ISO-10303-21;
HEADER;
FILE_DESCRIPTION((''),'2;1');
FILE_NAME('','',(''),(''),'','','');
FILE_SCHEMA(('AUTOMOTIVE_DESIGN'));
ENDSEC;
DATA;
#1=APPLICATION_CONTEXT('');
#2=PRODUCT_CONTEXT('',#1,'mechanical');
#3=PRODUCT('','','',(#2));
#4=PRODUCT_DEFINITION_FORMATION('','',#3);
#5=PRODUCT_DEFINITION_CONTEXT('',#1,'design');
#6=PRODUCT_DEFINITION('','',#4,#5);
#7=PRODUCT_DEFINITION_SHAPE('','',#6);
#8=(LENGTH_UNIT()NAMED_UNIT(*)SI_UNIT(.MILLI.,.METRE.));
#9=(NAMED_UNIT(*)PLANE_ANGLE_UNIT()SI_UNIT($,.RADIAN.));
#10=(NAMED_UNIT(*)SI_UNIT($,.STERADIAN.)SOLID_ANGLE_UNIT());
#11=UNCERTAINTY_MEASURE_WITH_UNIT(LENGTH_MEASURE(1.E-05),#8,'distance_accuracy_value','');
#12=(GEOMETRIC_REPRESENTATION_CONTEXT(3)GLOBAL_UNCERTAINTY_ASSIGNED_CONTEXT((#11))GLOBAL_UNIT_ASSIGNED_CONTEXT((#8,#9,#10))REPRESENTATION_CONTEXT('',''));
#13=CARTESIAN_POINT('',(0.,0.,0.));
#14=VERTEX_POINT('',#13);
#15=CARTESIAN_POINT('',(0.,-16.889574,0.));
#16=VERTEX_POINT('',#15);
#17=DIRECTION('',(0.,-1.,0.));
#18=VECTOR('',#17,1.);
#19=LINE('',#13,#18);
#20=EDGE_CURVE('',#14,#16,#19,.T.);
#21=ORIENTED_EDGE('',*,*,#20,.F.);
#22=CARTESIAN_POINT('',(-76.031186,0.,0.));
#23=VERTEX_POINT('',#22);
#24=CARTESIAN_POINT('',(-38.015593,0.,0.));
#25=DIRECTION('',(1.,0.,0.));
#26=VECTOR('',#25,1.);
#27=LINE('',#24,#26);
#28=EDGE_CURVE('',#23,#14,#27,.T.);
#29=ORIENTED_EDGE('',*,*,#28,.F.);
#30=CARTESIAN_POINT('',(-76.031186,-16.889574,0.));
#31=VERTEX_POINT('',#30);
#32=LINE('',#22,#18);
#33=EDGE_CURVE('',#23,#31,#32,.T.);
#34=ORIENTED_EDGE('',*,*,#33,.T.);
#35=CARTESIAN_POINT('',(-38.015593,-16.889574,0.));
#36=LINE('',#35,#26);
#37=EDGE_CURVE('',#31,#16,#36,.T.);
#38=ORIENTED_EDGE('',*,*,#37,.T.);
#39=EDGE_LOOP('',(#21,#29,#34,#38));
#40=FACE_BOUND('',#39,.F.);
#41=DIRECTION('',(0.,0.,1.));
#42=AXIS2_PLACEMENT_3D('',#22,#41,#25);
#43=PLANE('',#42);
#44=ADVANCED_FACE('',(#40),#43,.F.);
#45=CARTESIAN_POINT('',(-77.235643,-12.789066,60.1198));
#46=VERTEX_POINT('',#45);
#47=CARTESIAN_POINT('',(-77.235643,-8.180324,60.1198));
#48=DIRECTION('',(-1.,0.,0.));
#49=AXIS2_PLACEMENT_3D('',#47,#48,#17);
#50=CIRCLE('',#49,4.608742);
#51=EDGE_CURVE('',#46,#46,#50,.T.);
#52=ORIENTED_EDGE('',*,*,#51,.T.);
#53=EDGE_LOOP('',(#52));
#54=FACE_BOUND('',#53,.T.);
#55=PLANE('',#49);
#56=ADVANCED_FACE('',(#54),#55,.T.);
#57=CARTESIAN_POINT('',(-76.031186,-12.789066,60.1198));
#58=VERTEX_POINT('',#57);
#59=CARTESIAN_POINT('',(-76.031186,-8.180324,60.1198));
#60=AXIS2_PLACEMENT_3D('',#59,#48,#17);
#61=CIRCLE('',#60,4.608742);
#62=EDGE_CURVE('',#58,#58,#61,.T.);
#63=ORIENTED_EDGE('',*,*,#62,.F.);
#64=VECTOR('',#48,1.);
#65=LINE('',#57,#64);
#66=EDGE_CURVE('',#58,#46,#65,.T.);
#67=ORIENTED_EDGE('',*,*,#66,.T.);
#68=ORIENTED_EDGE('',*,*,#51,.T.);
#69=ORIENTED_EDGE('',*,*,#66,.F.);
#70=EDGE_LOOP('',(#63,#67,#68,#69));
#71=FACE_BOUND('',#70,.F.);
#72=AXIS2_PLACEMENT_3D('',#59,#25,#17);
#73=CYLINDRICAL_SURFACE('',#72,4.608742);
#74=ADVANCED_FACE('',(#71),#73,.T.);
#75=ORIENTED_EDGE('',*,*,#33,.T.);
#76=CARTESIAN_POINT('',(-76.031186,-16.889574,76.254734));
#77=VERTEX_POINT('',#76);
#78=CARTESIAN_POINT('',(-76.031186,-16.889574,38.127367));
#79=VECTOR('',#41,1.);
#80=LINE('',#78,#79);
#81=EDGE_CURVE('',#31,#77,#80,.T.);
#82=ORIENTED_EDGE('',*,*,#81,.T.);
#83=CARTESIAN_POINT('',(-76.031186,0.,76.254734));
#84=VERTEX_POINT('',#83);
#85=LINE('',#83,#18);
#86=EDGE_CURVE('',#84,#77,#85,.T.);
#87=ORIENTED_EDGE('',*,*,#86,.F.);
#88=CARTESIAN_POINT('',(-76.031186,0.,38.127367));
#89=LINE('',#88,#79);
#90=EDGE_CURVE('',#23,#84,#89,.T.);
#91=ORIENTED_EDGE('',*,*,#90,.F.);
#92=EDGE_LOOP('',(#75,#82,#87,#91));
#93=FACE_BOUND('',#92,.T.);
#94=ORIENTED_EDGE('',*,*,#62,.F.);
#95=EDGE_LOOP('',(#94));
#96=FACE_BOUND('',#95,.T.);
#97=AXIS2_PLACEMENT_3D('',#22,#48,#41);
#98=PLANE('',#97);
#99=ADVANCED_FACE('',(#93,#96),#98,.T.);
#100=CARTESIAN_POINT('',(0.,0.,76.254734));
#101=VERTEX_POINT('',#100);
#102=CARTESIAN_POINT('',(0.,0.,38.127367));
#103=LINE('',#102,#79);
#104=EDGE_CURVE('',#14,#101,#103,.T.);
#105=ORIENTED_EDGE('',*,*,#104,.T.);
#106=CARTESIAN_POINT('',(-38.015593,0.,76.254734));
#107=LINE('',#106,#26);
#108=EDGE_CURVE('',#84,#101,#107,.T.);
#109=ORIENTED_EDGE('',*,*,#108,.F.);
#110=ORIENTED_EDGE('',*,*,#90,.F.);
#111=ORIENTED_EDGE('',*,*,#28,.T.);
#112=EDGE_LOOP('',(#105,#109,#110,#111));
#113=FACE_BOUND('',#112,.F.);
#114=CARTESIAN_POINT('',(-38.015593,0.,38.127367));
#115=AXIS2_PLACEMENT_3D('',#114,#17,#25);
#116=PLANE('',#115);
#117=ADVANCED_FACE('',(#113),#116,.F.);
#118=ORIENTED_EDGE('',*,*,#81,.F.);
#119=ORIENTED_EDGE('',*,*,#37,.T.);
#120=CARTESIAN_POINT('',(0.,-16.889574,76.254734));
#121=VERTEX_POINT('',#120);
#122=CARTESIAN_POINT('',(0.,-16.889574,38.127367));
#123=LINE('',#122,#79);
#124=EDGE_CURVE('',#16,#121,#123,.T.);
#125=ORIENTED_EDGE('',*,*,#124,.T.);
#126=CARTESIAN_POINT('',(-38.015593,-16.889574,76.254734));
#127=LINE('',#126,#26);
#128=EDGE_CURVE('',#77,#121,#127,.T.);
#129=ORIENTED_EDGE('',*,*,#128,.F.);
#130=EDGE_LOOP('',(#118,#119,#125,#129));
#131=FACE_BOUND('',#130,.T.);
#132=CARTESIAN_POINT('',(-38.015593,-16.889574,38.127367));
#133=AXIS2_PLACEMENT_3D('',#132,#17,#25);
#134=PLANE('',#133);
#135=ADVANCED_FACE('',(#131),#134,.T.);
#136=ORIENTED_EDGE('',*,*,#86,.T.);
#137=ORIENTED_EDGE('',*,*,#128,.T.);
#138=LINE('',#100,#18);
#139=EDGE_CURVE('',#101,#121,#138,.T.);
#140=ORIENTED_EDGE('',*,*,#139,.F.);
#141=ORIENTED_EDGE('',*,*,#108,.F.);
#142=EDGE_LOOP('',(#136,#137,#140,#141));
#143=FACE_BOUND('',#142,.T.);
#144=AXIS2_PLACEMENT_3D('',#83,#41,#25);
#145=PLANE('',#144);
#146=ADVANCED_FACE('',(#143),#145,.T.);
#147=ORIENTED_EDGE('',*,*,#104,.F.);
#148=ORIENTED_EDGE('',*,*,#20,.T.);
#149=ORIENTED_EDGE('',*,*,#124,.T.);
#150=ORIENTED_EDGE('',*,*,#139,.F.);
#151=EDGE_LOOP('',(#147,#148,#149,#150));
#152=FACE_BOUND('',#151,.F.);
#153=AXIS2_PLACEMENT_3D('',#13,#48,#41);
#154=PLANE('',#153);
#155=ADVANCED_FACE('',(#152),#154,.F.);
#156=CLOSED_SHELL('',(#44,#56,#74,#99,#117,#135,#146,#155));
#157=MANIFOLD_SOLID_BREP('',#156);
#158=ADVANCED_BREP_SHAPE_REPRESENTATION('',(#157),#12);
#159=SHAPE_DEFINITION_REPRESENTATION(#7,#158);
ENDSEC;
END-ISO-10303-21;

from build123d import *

# Parameters (mm, degrees)
F0_W     = 76.031186
F0_H     = 76.254733
F1_DEPTH = 16.889574
F2_R     = 4.608742
F3_DEPTH = 1.204457


with BuildPart() as f1:
    # F0 (on Front) → F1 (new body)
    with BuildSketch(Plane.XZ):
        with Locations((-38.015593, 38.127367)):
            Rectangle(F0_W, F0_H)
    extrude(amount=F1_DEPTH)

    # F2 (on face) → F3 (join)
    with BuildSketch(Plane(origin=(-76.031186, 0, 0), x_dir=(0, -1, 0), z_dir=(-1, 0, 0))):
        with Locations((8.180324, 60.1198)):
            Circle(F2_R)
    extrude(amount=F3_DEPTH)


solid = f1.part
